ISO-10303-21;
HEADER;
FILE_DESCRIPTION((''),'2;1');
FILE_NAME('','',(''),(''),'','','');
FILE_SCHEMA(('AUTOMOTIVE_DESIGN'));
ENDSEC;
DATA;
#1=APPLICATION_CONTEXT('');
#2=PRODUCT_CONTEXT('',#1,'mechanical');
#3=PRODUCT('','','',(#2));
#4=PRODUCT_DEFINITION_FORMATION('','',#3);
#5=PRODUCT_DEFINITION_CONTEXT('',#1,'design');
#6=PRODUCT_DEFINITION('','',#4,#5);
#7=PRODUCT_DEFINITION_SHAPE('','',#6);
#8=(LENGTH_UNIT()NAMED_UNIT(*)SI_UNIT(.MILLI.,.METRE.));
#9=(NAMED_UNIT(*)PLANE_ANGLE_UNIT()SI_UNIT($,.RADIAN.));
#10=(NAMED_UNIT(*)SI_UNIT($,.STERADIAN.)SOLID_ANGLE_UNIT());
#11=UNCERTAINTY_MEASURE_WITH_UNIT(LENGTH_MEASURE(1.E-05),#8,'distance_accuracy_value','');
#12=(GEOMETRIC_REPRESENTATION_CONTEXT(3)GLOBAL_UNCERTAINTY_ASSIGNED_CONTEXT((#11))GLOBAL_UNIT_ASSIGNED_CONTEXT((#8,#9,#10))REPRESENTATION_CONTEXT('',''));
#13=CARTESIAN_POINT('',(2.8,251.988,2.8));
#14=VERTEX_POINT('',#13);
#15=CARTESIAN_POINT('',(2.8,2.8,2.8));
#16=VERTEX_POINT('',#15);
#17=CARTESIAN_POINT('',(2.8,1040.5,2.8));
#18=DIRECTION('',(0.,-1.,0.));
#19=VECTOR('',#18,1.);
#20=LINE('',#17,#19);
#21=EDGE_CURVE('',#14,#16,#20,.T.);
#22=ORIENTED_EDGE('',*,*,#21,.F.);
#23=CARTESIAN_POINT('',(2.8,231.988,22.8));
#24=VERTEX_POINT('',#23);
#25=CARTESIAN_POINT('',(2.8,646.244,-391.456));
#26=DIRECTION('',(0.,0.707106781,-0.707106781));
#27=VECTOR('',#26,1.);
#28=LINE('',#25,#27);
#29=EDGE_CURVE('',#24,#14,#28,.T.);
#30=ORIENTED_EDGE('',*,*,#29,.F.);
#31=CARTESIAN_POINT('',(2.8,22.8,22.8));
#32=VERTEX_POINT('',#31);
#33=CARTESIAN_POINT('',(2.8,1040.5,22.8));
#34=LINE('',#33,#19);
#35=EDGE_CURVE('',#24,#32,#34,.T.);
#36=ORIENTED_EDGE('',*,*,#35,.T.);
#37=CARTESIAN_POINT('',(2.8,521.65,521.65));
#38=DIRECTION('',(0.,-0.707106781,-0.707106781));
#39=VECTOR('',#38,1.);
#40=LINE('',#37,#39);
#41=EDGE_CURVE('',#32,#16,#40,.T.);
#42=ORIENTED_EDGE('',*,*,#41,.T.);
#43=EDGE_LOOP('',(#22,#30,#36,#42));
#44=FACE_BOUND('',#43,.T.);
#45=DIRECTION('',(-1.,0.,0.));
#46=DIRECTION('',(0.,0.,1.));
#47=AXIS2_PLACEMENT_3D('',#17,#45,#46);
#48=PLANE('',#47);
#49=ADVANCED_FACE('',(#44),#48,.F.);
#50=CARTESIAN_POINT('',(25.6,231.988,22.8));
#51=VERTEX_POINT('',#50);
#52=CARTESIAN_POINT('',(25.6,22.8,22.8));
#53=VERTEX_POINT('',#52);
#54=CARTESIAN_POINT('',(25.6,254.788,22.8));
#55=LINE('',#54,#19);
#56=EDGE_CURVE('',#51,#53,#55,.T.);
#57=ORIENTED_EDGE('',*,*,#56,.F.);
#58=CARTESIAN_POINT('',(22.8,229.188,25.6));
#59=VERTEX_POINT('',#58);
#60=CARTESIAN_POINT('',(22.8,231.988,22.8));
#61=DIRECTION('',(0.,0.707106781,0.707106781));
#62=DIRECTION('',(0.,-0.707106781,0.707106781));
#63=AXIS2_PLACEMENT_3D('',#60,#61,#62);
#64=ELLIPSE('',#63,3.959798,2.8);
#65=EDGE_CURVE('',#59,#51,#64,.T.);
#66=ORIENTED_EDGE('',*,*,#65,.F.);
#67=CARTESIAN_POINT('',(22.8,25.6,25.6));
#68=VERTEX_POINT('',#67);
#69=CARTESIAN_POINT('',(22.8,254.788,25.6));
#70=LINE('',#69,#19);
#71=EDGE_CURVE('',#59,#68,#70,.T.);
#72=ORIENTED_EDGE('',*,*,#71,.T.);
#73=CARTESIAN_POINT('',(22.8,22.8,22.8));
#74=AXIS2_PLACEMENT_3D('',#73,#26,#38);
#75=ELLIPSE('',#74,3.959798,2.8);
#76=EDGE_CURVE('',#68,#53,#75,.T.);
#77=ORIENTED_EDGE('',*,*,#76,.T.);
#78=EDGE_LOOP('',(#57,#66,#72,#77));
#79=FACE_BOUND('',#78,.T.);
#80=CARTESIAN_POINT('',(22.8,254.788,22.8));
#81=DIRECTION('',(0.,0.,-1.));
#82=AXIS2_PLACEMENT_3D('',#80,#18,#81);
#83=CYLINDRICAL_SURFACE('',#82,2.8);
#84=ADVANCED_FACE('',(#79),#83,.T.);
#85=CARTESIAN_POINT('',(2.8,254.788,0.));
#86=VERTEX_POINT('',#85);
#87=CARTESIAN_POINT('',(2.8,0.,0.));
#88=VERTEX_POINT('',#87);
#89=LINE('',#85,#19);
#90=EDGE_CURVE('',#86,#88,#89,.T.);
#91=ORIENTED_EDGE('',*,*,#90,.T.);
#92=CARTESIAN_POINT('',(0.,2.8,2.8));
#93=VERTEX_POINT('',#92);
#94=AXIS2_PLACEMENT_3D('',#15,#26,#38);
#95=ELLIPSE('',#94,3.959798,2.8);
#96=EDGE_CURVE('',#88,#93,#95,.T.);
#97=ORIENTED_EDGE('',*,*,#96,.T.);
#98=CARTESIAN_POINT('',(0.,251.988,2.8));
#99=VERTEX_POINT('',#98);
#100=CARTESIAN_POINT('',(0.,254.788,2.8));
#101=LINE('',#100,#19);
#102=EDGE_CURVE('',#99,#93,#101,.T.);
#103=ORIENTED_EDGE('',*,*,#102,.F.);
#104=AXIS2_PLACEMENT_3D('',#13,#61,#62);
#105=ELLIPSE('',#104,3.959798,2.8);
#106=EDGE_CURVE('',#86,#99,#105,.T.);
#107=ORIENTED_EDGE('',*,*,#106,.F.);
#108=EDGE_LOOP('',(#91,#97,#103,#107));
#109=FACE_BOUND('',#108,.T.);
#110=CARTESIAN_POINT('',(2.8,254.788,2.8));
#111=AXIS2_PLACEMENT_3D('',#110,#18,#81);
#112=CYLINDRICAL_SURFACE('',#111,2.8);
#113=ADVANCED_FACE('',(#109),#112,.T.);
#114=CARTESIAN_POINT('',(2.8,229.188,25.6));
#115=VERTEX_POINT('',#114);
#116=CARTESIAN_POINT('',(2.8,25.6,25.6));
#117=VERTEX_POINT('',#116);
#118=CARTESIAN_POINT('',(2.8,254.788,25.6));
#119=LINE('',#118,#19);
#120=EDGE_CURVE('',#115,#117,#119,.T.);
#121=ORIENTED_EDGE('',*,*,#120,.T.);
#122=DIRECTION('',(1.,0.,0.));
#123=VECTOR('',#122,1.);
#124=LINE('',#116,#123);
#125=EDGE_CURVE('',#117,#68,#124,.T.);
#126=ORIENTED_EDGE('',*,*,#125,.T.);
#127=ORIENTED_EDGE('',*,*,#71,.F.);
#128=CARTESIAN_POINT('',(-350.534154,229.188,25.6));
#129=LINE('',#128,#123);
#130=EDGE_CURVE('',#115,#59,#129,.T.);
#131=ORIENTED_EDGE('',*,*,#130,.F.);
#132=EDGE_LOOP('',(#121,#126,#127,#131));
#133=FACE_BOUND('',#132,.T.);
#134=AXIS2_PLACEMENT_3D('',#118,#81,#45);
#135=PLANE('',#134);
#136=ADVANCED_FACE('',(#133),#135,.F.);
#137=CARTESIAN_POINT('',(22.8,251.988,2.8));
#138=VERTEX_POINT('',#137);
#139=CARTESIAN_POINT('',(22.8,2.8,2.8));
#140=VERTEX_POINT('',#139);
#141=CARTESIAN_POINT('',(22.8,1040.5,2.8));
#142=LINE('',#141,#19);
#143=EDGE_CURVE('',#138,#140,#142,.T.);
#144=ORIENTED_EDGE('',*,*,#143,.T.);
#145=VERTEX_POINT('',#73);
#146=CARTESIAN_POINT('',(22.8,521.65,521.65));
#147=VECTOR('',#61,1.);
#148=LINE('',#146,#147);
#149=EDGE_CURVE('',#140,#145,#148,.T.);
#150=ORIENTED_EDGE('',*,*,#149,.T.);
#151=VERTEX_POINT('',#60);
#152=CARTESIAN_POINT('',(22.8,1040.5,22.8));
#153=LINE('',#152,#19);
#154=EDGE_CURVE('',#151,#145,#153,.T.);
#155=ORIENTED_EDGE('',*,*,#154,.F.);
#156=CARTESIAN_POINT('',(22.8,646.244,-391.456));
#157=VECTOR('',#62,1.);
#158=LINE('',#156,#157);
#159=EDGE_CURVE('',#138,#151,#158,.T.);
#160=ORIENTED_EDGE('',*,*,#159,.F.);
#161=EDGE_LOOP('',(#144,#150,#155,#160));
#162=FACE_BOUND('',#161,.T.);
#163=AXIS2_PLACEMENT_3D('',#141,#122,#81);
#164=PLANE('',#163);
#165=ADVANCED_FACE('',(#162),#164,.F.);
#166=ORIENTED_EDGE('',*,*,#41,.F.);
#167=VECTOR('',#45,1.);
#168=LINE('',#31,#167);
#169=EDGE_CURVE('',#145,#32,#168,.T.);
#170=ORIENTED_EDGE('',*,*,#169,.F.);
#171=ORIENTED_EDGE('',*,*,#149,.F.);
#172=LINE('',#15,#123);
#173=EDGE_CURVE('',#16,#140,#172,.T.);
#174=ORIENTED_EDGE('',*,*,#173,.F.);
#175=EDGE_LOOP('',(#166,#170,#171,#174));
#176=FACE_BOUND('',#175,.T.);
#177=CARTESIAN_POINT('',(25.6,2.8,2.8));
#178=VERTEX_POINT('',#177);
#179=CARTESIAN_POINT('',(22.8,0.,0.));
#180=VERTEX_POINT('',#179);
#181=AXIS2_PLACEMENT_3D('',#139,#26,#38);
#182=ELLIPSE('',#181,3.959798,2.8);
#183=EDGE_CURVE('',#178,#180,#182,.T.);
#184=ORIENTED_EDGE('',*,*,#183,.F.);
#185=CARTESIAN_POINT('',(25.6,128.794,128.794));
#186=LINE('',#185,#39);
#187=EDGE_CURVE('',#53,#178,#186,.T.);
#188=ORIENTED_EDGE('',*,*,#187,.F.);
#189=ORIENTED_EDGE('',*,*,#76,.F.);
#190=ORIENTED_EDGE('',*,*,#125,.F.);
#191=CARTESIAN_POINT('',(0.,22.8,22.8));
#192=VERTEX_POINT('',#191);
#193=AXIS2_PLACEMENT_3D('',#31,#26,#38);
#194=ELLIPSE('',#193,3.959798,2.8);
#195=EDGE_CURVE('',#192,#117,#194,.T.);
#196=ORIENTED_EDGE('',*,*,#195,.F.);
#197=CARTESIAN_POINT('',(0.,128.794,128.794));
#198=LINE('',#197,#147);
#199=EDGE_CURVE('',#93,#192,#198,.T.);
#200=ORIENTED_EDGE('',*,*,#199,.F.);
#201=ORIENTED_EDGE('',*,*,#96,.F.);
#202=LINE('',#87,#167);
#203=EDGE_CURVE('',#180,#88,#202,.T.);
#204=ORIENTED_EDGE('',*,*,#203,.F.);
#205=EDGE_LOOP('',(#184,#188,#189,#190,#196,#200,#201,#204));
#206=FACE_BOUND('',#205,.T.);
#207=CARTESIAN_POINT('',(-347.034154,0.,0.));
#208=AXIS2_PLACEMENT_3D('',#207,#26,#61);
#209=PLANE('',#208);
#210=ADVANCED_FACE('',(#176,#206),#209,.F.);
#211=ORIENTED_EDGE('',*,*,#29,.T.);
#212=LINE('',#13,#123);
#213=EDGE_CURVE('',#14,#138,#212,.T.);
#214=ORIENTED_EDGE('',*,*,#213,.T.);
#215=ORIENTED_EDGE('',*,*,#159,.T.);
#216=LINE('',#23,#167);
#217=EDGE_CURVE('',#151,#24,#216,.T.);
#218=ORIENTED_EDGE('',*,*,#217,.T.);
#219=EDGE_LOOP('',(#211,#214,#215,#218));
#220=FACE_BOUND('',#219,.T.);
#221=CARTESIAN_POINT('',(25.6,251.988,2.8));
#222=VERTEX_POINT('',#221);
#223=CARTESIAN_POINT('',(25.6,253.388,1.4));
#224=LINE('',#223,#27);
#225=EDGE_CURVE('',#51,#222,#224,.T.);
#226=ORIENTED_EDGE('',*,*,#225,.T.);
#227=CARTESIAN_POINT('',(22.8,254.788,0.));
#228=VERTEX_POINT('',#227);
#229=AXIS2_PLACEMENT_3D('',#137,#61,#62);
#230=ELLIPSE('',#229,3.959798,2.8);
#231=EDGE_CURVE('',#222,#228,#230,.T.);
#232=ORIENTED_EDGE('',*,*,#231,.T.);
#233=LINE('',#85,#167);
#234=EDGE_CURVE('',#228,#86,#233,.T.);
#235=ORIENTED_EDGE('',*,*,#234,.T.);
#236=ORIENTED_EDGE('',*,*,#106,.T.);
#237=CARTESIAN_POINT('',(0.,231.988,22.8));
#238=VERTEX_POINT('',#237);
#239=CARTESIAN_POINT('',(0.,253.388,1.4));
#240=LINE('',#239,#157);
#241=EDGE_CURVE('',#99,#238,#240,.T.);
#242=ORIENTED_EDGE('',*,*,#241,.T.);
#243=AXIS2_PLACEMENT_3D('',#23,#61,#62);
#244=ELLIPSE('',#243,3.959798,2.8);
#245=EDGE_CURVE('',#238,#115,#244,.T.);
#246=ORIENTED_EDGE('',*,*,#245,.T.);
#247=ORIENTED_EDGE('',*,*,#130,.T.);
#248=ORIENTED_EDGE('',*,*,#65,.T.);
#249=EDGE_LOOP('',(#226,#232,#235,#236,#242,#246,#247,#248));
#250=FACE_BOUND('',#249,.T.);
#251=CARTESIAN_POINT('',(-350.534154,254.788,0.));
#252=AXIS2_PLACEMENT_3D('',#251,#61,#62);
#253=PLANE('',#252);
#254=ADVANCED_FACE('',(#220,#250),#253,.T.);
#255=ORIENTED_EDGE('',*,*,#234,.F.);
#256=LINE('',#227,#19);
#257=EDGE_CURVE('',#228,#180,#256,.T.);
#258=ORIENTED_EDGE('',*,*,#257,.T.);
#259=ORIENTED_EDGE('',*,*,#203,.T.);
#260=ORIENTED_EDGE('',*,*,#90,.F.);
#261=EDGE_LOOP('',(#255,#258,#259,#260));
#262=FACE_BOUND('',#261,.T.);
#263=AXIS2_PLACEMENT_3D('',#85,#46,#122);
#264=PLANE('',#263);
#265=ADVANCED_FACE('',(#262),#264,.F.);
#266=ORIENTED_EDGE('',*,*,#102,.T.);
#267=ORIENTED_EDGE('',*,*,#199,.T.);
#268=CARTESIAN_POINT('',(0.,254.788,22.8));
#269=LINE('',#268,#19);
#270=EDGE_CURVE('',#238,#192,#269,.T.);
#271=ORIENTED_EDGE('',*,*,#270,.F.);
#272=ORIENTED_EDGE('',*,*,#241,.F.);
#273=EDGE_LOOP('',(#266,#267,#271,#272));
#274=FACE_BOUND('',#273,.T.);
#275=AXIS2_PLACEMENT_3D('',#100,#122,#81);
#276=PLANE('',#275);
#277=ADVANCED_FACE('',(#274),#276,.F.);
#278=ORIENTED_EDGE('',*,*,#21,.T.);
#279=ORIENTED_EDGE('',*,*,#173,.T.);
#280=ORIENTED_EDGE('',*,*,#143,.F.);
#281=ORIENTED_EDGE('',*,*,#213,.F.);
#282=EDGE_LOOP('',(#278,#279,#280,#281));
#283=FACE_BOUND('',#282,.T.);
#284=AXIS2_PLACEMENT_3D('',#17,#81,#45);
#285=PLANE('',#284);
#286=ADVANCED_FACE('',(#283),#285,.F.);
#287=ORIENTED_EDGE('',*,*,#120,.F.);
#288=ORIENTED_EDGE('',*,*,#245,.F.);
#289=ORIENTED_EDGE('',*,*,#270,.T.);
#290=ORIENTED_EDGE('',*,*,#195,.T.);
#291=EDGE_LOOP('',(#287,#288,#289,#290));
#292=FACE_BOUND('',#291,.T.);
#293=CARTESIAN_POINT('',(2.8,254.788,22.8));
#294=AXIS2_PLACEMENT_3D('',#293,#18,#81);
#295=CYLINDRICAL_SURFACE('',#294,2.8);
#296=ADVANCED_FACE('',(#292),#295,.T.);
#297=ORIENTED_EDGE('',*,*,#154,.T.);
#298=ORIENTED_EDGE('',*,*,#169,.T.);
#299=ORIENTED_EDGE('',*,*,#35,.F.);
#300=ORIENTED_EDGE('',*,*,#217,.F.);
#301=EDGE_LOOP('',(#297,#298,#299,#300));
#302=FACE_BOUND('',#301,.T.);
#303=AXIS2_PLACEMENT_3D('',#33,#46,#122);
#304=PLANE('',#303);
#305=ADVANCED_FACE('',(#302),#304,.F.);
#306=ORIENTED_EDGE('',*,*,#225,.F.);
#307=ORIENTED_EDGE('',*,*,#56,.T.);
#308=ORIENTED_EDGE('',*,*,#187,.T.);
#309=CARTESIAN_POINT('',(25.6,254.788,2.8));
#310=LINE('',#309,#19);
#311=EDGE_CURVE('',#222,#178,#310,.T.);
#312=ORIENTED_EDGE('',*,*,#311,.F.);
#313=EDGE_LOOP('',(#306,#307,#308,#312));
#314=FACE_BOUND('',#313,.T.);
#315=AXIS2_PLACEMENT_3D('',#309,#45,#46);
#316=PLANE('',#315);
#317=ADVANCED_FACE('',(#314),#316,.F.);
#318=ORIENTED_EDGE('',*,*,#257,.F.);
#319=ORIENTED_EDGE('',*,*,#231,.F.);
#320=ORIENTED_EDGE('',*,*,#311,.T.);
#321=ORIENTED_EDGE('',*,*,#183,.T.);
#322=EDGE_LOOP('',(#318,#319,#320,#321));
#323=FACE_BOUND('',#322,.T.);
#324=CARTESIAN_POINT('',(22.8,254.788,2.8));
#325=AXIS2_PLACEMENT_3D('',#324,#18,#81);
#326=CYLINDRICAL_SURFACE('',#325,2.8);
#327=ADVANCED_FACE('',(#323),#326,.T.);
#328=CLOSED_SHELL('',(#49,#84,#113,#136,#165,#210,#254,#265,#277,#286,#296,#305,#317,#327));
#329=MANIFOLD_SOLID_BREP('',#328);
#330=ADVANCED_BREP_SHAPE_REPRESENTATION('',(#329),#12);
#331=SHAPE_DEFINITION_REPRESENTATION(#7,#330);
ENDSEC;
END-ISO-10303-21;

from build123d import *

# Parameters (mm, degrees)
BOSS_EXTRUDE1_DEPTH     = 254.788
SKETCH3_W               = 20
SKETCH3_H               = 20
CUT_EXTRUDE1_DEPTH      = 1040.5
CUT_EXTRUDE4_DEPTH      = 258.211828935
CUT_EXTRUDE4_DEPTH_BACK = 258.211828935
CUT_EXTRUDE8_DEPTH      = 258.211828935
CUT_EXTRUDE8_DEPTH_BACK = 258.211828935


with BuildPart() as part:
    # Sketch1 → Boss-Extrude1 (new body)
    with BuildSketch(Plane(origin=(0, 0, 0), x_dir=(1, 0, 0), z_dir=(0, 1, 0))):
        with BuildLine():
            Line((2.8, 0), (22.8, 0))
            ThreePointArc((22.8, 0), (24.779898987, -0.820101013), (25.6, -2.8))
            Line((25.6, -2.8), (25.6, -22.8))
            ThreePointArc((25.6, -22.8), (24.779898987, -24.779898987), (22.8, -25.6))
            Line((22.8, -25.6), (2.8, -25.6))
            ThreePointArc((2.8, -25.6), (0.820101013, -24.779898987), (0, -22.8))
            Line((0, -22.8), (0, -2.8))
            ThreePointArc((0, -2.8), (0.820101013, -0.820101013), (2.8, 0))
        make_face()
    extrude(amount=BOSS_EXTRUDE1_DEPTH)

    # Sketch3 → Cut-Extrude1 (cut)
    with BuildSketch(Plane(origin=(0, 0, 0), x_dir=(-1, 0, 0), z_dir=(0, -1, 0))):
        with Locations((-12.8, -12.8)):
            Rectangle(SKETCH3_W, SKETCH3_H)
    extrude(amount=-CUT_EXTRUDE1_DEPTH, mode=Mode.SUBTRACT)

    # Sketch4 → Cut-Extrude4 (cut, two sides: drawn at the far end of the back side and taken through both)
    with BuildSketch(Plane.ZY.offset(-1.4).offset(-CUT_EXTRUDE4_DEPTH_BACK)):
        Polygon((-369.209949856, -369.209949856), (0, 0), (26.086303166, 26.086303166), (395.296253022, 395.296253022), (1133.716152734, -343.123646689), (369.209949856, -1107.629849567), align=None)
    extrude(amount=CUT_EXTRUDE4_DEPTH + CUT_EXTRUDE4_DEPTH_BACK, mode=Mode.SUBTRACT)

    # Sketch5 → Cut-Extrude8 (cut, two sides: drawn at the far end of the back side and taken through both)
    with BuildSketch(Plane.ZY.offset(-1.4).offset(-CUT_EXTRUDE8_DEPTH_BACK)):
        Polygon((-369.209949856, 623.997949856), (0, 254.788), (25.6, 229.188), (394.809949856, -140.021949856), (1133.229849567, 598.397949856), (369.209949856, 1362.417849567), align=None)
    extrude(amount=CUT_EXTRUDE8_DEPTH + CUT_EXTRUDE8_DEPTH_BACK, mode=Mode.SUBTRACT)


solid = part.part
